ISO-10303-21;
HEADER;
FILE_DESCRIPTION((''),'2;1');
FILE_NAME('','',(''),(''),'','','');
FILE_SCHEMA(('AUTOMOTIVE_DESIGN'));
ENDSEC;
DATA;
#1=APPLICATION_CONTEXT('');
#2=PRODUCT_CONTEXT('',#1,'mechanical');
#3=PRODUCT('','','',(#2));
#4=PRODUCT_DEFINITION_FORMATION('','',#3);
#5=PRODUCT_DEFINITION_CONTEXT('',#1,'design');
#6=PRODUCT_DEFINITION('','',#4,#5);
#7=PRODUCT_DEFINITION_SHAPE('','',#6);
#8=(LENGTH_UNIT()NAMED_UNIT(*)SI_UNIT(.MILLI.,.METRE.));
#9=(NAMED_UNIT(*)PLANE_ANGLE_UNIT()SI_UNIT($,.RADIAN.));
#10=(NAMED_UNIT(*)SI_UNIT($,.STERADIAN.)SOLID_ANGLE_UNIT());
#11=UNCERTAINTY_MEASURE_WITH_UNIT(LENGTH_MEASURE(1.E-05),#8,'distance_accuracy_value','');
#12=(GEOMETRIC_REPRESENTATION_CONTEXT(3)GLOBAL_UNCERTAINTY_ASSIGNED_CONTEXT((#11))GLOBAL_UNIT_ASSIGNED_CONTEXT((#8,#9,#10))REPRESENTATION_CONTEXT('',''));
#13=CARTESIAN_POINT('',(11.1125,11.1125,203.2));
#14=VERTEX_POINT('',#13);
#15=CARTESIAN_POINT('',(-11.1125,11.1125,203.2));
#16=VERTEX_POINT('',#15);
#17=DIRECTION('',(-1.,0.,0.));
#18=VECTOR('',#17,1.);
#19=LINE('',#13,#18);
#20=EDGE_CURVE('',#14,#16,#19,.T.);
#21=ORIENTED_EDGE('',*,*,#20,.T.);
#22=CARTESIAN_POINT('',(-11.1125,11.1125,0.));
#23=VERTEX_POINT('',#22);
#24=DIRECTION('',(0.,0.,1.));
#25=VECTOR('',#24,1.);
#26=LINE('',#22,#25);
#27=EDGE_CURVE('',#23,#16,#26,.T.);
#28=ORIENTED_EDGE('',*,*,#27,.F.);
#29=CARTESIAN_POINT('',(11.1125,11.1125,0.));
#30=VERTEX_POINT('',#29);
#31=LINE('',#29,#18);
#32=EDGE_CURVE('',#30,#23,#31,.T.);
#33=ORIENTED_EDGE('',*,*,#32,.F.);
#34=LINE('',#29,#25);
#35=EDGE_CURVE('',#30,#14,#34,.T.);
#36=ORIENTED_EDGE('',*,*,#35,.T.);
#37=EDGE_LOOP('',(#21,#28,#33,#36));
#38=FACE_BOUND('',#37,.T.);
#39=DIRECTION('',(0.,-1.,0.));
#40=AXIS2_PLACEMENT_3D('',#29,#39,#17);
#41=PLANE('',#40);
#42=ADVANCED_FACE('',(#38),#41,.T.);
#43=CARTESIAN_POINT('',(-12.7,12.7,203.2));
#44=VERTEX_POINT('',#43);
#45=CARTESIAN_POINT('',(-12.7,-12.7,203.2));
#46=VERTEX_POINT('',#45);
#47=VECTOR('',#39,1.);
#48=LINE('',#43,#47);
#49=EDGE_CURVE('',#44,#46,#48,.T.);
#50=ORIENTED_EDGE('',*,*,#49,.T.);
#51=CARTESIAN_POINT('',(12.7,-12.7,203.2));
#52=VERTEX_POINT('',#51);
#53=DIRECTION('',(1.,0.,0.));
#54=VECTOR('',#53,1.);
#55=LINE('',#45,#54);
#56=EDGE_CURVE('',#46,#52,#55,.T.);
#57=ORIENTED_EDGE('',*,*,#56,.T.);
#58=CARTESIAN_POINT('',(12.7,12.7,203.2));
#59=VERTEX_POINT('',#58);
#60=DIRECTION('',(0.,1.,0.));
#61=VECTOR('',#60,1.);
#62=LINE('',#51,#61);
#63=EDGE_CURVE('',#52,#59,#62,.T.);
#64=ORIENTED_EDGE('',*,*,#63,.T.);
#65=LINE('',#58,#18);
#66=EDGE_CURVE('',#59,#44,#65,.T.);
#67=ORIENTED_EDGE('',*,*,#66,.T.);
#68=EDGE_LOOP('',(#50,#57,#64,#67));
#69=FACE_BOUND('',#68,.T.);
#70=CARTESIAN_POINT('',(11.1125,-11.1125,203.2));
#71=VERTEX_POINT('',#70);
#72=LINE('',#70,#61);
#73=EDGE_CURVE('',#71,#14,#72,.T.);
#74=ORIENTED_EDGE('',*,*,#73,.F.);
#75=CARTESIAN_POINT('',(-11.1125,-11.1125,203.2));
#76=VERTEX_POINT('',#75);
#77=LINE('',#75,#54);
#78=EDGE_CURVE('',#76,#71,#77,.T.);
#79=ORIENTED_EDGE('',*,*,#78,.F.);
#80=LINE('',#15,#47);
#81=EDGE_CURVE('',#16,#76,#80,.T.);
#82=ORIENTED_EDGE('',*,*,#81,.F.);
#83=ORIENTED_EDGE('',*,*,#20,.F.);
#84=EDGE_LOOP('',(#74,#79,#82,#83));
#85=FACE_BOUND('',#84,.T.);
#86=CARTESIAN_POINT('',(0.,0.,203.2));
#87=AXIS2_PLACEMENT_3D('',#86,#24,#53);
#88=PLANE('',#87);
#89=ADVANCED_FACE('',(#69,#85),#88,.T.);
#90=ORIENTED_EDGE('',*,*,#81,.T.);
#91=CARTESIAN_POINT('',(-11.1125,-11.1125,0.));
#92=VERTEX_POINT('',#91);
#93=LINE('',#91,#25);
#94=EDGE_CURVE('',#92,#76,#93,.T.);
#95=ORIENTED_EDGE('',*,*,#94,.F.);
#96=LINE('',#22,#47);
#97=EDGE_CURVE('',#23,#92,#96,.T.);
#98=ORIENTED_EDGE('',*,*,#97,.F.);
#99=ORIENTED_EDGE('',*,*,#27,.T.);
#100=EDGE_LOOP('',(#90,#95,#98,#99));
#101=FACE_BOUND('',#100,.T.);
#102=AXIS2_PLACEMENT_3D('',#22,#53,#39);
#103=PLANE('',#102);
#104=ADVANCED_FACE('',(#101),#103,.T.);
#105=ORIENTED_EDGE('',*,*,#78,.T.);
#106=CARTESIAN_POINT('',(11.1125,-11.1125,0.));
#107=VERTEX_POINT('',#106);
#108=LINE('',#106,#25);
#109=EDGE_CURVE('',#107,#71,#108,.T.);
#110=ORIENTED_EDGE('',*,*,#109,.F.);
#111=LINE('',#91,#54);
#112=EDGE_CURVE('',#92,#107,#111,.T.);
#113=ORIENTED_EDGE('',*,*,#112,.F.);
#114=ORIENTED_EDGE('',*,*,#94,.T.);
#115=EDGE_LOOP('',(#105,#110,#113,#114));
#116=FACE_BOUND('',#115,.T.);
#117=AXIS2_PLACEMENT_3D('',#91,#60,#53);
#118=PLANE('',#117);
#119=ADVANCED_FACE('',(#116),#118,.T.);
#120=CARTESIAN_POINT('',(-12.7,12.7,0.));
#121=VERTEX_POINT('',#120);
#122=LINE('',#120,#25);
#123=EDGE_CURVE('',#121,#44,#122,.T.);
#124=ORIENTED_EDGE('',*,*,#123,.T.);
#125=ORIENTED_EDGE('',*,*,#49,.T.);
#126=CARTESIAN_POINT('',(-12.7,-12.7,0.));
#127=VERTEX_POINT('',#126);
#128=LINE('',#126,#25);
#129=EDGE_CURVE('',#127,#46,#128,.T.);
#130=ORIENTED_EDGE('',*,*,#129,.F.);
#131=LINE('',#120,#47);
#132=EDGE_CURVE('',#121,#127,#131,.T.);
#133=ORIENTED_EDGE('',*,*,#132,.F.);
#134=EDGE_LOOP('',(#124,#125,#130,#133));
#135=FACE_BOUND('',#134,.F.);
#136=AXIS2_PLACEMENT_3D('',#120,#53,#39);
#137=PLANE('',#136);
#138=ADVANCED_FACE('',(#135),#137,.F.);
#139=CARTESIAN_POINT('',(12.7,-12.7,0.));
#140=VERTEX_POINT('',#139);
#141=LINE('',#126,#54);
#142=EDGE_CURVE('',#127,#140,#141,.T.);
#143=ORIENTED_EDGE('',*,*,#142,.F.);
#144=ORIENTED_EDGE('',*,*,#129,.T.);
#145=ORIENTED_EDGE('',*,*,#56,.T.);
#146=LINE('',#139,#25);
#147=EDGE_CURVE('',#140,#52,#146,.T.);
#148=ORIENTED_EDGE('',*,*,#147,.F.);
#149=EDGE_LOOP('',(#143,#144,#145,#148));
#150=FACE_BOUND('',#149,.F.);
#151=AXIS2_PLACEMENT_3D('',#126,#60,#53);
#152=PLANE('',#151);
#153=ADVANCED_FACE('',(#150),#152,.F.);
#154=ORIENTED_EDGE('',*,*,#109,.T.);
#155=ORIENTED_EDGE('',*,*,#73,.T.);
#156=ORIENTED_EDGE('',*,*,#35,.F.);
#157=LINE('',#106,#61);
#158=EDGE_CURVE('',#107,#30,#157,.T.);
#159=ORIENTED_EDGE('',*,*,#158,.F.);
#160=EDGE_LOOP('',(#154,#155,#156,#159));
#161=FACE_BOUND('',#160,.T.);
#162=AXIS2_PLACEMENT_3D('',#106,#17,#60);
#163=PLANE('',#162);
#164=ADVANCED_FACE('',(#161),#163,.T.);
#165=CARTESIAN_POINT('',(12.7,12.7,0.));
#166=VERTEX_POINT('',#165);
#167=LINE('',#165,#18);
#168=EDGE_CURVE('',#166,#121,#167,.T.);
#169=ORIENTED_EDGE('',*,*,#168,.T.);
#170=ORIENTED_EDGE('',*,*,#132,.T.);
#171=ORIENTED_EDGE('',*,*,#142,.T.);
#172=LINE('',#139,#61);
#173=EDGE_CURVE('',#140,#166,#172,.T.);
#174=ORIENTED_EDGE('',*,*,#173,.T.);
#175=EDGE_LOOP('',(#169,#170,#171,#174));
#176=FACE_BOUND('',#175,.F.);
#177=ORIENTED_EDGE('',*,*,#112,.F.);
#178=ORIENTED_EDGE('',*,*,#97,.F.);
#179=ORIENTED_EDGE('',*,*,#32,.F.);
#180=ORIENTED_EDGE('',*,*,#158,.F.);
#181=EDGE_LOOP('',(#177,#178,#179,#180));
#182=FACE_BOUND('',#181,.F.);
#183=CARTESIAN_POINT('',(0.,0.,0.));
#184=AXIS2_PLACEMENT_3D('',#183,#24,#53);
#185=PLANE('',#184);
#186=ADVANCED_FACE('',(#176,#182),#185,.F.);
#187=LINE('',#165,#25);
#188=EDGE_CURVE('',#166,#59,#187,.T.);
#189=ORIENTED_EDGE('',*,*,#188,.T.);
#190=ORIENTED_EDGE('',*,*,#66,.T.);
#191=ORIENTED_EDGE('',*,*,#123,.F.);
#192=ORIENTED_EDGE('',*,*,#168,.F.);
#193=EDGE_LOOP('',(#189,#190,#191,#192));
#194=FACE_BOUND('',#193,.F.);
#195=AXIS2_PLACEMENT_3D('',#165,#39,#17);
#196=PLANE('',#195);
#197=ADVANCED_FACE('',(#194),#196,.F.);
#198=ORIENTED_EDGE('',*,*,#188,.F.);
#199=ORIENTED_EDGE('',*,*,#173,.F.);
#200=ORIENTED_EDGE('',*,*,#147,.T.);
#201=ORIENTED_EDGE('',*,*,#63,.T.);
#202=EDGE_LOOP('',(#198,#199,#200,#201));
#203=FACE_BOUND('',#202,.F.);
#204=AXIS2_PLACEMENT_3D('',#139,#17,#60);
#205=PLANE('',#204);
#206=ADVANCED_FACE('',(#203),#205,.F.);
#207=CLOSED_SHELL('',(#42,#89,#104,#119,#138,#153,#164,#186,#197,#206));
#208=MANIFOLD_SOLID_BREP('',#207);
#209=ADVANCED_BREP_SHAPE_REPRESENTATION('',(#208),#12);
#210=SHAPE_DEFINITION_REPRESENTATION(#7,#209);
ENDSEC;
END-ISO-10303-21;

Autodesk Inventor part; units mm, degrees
ref_plane "YZ Plane" through (0, 0, 0) normal (1, 0, 0) x (0, 1, 0)
ref_plane "XZ Plane" through (0, 0, 0) normal (0, 1, 0) x (-1, 0, 0)
ref_plane "XY Plane" through (0, 0, 0) normal (0, 0, 1) x (1, 0, 0)
sketch "Sketch1" plane through (0, 0, 0) normal (0, 0, 1) x (1, 0, 0)
  line L0 (-12.7, -12.7) -> (12.7, -12.7)
  line L1 (12.7, -12.7) -> (12.7, 12.7)
  line L2 (12.7, 12.7) -> (-12.7, 12.7)
  line L3 (-12.7, 12.7) -> (-12.7, -12.7)
  line L4 (-11.1125, -11.1125) -> (11.1125, -11.1125)
  line L5 (11.1125, -11.1125) -> (11.1125, 11.1125)
  line L6 (11.1125, 11.1125) -> (-11.1125, 11.1125)
  line L7 (-11.1125, 11.1125) -> (-11.1125, -11.1125)
  point P0 (0, 0)
  dimension "d0" = 25.4
  dimension "d1" = 25.4
  dimension "d2" = 22.225
  dimension "d3" = 22.225
extrude "Extrusion1" add sketch "Sketch1" along normal blind 203.2
equation "\"BendRadius\" = Thickness"
equation "\"BendReliefWidth\" = Thickness"
equation "\"BendReliefDepth\" = 0.5 * Thickness"
equation "\"CornerReliefSize\" = 4 * Thickness"
equation "\"MinimumRemnant\" = 2 * Thickness"
equation "\"TransitionRadius\" = BendRadius"
equation "\"JacobiRadiusSize\" = BendRadius"
equation "\"GapSize\" = Thickness"
equation "\"Thickness\" = 3.048"
properties part number "8 in 1-16"
